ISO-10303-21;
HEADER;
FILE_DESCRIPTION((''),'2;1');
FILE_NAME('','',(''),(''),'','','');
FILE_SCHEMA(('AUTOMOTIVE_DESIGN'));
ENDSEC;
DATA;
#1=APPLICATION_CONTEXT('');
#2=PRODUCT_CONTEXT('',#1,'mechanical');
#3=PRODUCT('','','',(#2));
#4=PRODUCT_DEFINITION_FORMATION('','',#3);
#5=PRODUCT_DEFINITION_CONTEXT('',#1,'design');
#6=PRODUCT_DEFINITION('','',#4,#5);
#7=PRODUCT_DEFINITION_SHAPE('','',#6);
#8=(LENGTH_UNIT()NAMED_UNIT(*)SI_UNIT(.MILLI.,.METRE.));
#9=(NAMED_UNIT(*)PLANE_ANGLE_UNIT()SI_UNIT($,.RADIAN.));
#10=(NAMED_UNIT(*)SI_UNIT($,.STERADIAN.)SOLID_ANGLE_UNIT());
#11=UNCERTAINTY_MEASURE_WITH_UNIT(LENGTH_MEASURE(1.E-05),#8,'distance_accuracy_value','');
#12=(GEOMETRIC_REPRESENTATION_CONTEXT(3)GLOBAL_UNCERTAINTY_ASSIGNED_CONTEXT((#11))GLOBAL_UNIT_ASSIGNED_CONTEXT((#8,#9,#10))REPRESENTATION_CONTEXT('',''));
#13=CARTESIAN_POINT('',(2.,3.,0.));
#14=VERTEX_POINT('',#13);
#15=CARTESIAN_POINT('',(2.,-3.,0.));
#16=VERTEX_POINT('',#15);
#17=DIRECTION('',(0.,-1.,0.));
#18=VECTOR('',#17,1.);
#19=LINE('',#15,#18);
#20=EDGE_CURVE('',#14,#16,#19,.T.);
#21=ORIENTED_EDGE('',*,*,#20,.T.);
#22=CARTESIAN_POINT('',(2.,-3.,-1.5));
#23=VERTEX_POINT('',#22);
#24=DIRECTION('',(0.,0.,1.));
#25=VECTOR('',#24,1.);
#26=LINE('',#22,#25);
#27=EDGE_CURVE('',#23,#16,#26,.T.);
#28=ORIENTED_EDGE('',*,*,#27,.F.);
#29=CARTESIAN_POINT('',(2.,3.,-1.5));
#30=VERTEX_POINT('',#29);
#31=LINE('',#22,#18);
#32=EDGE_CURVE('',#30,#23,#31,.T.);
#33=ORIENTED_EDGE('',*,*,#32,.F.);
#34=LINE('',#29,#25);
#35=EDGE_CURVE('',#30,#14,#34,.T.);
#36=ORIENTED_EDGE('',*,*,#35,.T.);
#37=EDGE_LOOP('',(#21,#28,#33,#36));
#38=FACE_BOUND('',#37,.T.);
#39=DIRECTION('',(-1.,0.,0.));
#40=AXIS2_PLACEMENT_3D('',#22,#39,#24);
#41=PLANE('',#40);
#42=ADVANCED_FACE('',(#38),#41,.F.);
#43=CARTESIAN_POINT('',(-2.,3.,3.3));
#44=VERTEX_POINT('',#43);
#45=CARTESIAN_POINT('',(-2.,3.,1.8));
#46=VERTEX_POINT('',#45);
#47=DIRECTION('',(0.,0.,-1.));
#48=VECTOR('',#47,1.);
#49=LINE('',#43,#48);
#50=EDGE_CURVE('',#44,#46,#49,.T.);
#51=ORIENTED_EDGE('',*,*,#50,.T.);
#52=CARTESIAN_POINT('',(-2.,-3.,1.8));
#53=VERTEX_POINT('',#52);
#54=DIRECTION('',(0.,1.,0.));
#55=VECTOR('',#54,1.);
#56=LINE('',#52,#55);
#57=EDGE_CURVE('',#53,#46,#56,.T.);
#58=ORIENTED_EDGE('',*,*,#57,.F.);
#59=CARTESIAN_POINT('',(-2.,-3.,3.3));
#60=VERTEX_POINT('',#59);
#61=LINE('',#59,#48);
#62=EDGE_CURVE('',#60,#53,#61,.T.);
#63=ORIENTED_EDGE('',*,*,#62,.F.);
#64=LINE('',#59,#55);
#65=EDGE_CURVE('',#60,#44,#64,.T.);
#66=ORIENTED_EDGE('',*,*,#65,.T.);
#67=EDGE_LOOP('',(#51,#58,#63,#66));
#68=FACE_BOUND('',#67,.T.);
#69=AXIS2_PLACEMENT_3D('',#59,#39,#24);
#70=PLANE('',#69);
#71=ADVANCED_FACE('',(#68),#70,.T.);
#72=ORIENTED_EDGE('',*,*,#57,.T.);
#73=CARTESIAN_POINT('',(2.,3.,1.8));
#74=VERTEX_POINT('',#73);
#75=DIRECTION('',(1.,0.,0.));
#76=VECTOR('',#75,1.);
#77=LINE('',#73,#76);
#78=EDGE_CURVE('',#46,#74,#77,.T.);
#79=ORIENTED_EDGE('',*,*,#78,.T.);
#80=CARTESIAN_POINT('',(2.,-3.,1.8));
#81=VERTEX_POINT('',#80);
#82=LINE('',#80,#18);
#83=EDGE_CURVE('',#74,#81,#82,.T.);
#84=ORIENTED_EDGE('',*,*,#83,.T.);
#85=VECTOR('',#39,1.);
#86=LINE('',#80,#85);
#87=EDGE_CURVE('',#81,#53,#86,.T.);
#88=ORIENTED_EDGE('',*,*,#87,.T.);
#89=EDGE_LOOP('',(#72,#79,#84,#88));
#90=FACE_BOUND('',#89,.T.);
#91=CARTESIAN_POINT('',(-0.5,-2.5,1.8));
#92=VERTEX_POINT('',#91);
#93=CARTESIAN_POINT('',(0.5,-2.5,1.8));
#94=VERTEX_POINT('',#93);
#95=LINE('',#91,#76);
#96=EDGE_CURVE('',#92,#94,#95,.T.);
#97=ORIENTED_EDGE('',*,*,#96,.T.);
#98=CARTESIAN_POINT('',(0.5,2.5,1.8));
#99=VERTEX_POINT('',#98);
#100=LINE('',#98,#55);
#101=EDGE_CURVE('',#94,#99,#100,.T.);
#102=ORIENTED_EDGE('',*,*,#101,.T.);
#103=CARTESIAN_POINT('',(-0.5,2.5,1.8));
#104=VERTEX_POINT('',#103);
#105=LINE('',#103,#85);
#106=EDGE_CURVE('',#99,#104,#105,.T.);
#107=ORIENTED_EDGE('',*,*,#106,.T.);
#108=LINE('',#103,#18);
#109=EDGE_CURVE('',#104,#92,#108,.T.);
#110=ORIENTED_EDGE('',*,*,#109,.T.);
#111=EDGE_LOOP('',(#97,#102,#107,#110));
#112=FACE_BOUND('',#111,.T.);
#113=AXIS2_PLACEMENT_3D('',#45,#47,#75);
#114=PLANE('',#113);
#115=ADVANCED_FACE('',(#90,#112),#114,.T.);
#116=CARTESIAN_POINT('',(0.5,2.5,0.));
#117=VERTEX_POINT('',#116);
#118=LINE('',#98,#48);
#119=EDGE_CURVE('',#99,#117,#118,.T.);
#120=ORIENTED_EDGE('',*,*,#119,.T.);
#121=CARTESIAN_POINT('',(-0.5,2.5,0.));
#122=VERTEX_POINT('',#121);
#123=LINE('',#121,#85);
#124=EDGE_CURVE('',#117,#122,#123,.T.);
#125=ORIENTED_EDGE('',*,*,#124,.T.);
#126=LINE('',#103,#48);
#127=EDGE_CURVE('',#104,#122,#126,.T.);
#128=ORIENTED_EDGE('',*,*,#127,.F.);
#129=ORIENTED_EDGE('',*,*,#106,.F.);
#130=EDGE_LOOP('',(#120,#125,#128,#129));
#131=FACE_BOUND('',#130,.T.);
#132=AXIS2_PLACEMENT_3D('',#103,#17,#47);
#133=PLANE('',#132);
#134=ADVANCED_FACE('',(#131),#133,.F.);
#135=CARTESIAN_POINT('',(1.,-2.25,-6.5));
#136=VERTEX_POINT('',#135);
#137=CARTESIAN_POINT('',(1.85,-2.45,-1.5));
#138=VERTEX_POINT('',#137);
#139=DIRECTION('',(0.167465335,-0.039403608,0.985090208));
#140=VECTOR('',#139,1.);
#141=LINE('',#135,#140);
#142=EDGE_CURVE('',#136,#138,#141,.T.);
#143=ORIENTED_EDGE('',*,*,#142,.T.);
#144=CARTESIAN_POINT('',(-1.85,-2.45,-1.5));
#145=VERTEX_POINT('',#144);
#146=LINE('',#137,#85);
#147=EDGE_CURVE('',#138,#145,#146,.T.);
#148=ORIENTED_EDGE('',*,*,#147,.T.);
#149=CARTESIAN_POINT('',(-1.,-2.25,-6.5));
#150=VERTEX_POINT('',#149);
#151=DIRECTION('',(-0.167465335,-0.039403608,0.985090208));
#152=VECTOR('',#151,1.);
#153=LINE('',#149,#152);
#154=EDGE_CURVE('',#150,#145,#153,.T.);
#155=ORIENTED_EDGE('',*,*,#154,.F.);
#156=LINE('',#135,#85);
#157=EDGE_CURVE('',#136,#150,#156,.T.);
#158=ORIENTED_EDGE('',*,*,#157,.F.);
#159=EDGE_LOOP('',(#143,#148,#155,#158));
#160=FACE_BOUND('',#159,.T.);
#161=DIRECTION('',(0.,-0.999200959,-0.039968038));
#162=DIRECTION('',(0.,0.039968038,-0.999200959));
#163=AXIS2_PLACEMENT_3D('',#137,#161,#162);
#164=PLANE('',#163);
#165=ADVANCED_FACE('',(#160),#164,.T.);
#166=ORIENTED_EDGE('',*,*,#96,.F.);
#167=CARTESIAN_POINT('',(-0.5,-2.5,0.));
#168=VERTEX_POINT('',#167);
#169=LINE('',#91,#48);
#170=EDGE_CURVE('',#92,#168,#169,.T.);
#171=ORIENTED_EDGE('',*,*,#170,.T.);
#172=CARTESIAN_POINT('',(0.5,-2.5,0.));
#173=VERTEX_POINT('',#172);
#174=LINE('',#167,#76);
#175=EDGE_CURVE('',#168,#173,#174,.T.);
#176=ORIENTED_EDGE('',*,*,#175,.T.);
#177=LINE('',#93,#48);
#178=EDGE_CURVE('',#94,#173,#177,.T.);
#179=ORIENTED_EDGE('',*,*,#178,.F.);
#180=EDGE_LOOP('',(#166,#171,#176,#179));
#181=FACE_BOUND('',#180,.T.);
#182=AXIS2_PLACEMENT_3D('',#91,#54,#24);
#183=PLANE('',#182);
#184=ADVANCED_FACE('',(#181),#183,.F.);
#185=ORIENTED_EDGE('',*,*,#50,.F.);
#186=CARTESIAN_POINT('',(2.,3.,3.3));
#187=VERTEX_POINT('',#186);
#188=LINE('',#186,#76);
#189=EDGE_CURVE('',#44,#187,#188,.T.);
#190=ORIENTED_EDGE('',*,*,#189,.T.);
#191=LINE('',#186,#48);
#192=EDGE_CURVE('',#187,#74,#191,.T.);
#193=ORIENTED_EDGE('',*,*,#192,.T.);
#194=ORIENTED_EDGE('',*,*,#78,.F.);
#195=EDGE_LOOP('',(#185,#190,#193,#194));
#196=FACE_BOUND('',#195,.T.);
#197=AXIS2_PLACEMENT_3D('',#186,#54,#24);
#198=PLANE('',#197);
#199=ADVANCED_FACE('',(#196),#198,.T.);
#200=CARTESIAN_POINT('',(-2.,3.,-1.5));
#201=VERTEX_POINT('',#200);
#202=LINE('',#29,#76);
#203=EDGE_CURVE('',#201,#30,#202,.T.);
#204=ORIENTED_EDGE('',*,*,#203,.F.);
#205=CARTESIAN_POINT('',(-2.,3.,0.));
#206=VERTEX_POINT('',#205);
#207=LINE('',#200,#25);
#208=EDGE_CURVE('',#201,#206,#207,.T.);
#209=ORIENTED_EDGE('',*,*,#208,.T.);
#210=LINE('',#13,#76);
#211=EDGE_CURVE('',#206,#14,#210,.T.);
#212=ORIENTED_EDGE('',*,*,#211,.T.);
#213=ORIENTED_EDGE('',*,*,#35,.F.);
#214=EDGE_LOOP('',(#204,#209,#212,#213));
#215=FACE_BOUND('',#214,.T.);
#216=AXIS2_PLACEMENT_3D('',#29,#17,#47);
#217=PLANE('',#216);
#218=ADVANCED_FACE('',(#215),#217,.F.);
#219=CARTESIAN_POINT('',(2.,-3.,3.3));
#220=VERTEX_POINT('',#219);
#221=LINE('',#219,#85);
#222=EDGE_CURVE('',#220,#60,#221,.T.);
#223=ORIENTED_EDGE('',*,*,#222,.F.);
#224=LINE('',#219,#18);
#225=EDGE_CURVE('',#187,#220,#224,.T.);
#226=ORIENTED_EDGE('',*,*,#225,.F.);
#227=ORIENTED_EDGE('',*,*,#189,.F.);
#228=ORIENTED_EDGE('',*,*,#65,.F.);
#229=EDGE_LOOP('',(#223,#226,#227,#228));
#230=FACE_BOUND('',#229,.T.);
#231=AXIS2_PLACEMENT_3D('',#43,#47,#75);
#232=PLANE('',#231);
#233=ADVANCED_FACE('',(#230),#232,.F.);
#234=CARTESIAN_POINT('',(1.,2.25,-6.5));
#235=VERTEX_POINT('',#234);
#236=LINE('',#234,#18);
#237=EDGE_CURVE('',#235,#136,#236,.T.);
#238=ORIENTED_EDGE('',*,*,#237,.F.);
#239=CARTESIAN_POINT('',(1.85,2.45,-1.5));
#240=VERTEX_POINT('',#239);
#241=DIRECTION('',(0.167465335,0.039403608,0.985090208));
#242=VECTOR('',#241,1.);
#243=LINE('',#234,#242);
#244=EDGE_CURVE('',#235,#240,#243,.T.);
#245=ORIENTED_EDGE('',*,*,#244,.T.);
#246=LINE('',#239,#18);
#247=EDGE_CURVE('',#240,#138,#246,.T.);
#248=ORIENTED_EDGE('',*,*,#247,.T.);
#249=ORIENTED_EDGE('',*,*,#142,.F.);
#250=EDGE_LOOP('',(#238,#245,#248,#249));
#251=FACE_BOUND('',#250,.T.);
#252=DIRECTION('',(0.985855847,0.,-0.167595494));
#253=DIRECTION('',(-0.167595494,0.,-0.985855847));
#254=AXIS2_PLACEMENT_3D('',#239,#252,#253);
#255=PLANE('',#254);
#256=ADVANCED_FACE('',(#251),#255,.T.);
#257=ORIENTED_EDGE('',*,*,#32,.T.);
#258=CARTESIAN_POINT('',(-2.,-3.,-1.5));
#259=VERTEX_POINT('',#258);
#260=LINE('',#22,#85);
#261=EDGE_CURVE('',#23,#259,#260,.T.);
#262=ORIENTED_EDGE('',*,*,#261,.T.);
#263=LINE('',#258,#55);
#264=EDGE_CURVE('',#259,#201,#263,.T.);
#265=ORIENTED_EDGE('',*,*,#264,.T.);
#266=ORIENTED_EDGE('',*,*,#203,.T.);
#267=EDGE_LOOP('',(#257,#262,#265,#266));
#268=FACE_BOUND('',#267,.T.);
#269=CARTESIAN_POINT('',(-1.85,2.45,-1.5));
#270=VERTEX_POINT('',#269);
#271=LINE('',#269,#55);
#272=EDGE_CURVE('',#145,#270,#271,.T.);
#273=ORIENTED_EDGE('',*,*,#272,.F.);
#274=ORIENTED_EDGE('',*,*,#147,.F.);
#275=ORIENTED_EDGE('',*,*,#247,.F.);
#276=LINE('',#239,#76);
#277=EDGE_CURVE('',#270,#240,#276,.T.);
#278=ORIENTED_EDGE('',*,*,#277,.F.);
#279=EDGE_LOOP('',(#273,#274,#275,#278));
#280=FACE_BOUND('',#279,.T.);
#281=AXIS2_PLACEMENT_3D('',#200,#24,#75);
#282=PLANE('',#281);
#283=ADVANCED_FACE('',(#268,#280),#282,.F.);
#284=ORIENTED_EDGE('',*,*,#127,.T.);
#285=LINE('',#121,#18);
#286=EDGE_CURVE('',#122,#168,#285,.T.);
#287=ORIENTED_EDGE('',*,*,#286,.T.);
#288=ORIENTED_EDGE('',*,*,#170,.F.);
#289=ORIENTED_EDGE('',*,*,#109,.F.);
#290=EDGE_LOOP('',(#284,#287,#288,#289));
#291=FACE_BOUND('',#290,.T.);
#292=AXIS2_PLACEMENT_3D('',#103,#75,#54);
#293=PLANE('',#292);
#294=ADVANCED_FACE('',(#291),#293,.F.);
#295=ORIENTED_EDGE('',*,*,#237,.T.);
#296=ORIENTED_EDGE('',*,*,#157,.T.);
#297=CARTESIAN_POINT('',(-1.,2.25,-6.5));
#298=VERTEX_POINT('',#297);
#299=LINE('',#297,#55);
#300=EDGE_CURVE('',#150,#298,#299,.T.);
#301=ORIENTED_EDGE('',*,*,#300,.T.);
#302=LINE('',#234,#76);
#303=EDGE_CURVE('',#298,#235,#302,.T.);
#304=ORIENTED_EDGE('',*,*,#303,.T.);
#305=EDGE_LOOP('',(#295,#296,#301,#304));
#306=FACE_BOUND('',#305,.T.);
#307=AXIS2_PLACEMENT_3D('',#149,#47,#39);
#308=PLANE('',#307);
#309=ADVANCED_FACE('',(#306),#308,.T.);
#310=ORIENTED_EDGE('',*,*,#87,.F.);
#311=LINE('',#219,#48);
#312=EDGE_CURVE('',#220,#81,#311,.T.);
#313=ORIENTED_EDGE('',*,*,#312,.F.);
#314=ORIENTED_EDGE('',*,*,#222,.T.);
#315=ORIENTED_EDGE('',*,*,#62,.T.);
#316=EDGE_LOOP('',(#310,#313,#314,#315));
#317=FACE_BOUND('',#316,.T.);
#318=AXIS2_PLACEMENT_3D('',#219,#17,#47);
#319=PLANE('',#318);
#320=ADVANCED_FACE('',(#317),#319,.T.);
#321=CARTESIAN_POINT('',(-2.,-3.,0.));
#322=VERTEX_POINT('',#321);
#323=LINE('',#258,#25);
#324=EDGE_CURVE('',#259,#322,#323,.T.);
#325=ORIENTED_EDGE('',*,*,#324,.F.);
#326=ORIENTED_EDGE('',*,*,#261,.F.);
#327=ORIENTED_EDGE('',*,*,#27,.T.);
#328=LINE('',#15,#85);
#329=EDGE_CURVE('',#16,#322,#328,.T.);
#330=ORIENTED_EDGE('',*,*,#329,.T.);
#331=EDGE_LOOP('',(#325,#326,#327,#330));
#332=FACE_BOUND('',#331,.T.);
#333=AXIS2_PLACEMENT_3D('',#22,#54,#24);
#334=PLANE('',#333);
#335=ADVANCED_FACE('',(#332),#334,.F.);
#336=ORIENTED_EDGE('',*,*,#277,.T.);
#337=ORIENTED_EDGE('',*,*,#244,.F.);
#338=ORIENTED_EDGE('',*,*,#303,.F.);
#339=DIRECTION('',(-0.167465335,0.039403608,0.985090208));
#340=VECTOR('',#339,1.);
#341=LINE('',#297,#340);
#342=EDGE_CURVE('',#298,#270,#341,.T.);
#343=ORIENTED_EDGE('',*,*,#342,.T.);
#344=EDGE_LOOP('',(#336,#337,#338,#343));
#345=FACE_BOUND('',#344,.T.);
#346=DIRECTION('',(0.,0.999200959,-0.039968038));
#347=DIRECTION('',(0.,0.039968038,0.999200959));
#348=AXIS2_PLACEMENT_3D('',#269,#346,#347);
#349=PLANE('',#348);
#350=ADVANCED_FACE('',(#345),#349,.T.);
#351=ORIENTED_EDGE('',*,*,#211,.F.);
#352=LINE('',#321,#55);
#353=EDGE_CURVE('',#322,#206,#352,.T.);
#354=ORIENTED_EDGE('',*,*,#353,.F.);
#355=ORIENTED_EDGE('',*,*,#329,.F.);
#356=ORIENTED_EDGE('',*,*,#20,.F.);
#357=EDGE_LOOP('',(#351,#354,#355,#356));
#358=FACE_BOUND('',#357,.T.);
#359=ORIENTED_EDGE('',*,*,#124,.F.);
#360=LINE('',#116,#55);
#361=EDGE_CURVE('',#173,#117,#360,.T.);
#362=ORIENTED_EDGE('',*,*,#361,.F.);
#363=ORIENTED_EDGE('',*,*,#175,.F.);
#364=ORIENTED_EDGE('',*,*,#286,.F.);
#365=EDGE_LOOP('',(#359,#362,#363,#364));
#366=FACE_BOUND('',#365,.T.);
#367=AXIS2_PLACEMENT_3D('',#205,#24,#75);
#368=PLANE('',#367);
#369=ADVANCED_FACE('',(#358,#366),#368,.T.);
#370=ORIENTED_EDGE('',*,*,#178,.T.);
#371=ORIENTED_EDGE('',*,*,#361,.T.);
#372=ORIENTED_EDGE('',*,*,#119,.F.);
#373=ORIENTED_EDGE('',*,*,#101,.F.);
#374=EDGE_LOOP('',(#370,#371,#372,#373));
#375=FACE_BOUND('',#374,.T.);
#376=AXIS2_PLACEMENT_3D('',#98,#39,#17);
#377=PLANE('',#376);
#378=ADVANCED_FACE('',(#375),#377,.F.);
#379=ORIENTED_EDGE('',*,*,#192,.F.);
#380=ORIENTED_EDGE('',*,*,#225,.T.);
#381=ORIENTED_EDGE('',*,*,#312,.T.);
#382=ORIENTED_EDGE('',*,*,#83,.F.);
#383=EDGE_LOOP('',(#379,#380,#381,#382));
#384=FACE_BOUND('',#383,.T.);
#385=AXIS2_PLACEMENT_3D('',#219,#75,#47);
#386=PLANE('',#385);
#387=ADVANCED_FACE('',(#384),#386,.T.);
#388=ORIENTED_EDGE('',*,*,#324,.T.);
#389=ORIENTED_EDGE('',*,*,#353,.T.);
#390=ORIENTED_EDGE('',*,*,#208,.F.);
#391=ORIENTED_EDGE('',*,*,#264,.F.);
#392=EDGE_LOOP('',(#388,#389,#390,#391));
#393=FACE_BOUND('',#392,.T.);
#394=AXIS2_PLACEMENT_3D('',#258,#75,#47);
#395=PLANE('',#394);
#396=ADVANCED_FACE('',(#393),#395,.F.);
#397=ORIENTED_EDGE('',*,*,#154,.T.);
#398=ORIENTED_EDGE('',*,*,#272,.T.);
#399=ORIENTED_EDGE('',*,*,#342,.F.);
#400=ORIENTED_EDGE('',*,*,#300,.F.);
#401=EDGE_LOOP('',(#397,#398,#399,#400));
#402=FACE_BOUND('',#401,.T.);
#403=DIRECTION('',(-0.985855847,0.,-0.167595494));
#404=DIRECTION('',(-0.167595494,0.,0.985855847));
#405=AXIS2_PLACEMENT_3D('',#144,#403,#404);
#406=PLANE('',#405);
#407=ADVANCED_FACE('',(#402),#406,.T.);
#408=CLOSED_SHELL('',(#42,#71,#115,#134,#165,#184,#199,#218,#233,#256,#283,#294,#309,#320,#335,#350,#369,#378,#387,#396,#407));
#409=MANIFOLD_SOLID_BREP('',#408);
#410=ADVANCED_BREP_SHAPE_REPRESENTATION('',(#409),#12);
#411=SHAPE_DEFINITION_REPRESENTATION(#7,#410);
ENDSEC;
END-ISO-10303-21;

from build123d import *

# Parameters (mm, degrees)
SKETCH_2_W      = 1
SKETCH_2_H      = 5
EXTRUDE_1_DEPTH = 1.8
SKETCH_3_W      = 4
SKETCH_3_H      = 6
EXTRUDE_2_DEPTH = 1.5


with BuildPart() as part:
    # 草圖2 → 伸長1 (new body)
    with BuildSketch(Plane.XY):
        Rectangle(SKETCH_2_W, SKETCH_2_H)
    extrude(amount=EXTRUDE_1_DEPTH)

    # 草圖3 → 伸長2 (add)
    with BuildSketch(Plane(origin=(0, 0, 0), x_dir=(-1, 0, 0), z_dir=(0, 0, -1))):
        Rectangle(SKETCH_3_W, SKETCH_3_H)
    extrude_2 = extrude(amount=EXTRUDE_2_DEPTH)

    # 鏡射1: 伸長2 across plane
    add(extrude_2.mirror(Plane.XY.offset(0.9)))

    # 草圖4 → 疊層拉伸1 section 0
    with BuildSketch(Plane(origin=(0, 0, -6.5), x_dir=(-1, 0, 0), z_dir=(0, 0, -1))):
        with BuildLine():
            Line((-1, 2.25), (1, 2.25))
            Line((1, 2.25), (1, -2.25))
            Line((1, -2.25), (-1, -2.25))
            Line((-1, -2.25), (-1, 2.25))
        make_face()
    # 草圖5 → 疊層拉伸1 section 1
    with BuildSketch(Plane(origin=(0, 0, -1.5), x_dir=(-1, 0, 0), z_dir=(0, 0, -1))):
        with BuildLine():
            Line((-1.85, 2.45), (1.85, 2.45))
            Line((1.85, 2.45), (1.85, -2.45))
            Line((1.85, -2.45), (-1.85, -2.45))
            Line((-1.85, -2.45), (-1.85, 2.45))
        make_face()
    loft()


solid = part.part
